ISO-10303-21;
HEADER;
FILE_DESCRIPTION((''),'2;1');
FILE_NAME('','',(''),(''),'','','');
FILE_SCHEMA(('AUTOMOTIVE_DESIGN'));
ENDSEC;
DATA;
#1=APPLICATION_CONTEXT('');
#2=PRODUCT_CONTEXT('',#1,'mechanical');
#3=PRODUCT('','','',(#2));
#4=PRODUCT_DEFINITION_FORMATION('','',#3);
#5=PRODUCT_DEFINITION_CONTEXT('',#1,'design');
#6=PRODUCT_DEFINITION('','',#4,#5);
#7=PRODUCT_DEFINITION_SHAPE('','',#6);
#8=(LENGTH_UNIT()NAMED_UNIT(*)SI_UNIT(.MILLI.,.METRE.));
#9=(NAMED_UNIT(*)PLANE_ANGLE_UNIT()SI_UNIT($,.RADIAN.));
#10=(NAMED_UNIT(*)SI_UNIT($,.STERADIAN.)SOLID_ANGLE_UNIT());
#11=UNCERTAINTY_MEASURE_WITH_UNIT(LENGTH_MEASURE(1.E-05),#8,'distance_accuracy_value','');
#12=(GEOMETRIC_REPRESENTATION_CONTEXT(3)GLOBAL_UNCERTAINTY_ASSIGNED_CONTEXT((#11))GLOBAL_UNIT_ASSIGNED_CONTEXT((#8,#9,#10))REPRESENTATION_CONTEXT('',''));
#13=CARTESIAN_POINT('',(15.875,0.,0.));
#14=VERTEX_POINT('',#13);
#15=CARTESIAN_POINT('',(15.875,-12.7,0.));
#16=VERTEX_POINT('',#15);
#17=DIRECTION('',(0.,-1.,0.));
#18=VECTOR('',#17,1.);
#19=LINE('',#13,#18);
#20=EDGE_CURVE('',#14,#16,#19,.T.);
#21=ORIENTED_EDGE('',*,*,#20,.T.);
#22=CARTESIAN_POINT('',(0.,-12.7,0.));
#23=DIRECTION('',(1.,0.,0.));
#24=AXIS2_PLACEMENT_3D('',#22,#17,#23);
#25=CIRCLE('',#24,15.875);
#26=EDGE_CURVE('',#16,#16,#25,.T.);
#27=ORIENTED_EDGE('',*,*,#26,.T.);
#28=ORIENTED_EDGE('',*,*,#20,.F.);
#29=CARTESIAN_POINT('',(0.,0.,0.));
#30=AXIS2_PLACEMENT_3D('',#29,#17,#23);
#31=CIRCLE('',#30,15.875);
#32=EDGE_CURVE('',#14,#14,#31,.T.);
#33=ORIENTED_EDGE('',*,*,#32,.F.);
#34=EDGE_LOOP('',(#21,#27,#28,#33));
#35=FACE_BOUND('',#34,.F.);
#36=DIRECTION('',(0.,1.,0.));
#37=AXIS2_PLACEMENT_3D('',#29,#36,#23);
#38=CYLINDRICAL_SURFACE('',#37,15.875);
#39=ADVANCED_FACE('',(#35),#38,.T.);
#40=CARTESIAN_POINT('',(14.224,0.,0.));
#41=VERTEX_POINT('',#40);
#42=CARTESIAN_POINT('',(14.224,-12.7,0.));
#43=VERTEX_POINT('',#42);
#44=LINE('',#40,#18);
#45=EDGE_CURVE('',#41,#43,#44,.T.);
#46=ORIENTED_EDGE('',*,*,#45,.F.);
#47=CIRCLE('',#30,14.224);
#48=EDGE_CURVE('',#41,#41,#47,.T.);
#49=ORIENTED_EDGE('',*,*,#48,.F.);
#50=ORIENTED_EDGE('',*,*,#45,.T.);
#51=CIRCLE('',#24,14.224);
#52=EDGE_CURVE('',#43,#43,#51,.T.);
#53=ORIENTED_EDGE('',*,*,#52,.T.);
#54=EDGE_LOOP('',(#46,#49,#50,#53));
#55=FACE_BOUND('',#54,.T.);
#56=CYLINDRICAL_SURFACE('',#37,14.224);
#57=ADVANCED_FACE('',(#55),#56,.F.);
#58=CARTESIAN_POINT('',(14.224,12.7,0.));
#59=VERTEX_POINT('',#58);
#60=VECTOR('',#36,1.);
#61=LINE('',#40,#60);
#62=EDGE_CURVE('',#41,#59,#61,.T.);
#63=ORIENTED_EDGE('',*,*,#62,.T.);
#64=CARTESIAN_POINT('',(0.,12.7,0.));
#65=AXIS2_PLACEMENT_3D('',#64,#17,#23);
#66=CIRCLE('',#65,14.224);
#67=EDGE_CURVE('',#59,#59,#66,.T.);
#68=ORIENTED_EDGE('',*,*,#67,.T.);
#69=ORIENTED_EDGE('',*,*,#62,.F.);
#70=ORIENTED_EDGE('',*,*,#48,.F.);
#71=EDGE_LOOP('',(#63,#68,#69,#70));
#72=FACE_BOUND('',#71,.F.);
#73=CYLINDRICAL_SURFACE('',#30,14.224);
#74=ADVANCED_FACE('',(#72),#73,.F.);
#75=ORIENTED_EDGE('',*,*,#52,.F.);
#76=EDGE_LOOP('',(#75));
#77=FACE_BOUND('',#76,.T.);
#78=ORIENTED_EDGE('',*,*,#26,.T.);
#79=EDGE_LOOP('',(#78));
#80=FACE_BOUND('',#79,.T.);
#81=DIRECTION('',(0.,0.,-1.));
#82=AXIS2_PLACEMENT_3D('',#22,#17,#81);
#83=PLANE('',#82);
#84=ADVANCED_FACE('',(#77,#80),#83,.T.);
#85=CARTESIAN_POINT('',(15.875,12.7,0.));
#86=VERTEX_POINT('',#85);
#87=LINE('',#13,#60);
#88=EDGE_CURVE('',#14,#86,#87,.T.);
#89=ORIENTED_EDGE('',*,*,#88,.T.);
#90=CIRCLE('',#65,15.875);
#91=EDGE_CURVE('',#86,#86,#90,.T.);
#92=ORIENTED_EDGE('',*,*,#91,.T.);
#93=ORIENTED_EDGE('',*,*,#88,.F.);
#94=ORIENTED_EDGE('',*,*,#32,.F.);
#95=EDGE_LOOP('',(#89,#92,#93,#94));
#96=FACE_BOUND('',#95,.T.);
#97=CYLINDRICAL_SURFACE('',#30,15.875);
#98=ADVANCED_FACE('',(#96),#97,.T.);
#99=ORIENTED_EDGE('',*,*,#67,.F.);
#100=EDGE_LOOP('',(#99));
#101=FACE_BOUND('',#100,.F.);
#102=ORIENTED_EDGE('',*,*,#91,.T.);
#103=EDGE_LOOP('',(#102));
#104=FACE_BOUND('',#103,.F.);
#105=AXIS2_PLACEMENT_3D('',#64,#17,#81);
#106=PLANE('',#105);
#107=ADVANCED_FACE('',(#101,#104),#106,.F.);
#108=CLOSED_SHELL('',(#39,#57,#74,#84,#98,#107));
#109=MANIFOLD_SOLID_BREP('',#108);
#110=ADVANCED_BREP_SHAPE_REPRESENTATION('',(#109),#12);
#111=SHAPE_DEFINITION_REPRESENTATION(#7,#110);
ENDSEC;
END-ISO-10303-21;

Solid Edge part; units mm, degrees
sketch "Sketch1" plane through (0, 0, 0) normal (0, -1, 0) x (1, 0, 0)
  circle A0 centre (0, 0) radius 14.224
  circle A1 centre (0, 0) radius 15.875
  dimension "D1" = 1.651
extrude "Protrusion1" add sketch "Sketch1" along normal mid plane 25.4
properties material "Steel"
